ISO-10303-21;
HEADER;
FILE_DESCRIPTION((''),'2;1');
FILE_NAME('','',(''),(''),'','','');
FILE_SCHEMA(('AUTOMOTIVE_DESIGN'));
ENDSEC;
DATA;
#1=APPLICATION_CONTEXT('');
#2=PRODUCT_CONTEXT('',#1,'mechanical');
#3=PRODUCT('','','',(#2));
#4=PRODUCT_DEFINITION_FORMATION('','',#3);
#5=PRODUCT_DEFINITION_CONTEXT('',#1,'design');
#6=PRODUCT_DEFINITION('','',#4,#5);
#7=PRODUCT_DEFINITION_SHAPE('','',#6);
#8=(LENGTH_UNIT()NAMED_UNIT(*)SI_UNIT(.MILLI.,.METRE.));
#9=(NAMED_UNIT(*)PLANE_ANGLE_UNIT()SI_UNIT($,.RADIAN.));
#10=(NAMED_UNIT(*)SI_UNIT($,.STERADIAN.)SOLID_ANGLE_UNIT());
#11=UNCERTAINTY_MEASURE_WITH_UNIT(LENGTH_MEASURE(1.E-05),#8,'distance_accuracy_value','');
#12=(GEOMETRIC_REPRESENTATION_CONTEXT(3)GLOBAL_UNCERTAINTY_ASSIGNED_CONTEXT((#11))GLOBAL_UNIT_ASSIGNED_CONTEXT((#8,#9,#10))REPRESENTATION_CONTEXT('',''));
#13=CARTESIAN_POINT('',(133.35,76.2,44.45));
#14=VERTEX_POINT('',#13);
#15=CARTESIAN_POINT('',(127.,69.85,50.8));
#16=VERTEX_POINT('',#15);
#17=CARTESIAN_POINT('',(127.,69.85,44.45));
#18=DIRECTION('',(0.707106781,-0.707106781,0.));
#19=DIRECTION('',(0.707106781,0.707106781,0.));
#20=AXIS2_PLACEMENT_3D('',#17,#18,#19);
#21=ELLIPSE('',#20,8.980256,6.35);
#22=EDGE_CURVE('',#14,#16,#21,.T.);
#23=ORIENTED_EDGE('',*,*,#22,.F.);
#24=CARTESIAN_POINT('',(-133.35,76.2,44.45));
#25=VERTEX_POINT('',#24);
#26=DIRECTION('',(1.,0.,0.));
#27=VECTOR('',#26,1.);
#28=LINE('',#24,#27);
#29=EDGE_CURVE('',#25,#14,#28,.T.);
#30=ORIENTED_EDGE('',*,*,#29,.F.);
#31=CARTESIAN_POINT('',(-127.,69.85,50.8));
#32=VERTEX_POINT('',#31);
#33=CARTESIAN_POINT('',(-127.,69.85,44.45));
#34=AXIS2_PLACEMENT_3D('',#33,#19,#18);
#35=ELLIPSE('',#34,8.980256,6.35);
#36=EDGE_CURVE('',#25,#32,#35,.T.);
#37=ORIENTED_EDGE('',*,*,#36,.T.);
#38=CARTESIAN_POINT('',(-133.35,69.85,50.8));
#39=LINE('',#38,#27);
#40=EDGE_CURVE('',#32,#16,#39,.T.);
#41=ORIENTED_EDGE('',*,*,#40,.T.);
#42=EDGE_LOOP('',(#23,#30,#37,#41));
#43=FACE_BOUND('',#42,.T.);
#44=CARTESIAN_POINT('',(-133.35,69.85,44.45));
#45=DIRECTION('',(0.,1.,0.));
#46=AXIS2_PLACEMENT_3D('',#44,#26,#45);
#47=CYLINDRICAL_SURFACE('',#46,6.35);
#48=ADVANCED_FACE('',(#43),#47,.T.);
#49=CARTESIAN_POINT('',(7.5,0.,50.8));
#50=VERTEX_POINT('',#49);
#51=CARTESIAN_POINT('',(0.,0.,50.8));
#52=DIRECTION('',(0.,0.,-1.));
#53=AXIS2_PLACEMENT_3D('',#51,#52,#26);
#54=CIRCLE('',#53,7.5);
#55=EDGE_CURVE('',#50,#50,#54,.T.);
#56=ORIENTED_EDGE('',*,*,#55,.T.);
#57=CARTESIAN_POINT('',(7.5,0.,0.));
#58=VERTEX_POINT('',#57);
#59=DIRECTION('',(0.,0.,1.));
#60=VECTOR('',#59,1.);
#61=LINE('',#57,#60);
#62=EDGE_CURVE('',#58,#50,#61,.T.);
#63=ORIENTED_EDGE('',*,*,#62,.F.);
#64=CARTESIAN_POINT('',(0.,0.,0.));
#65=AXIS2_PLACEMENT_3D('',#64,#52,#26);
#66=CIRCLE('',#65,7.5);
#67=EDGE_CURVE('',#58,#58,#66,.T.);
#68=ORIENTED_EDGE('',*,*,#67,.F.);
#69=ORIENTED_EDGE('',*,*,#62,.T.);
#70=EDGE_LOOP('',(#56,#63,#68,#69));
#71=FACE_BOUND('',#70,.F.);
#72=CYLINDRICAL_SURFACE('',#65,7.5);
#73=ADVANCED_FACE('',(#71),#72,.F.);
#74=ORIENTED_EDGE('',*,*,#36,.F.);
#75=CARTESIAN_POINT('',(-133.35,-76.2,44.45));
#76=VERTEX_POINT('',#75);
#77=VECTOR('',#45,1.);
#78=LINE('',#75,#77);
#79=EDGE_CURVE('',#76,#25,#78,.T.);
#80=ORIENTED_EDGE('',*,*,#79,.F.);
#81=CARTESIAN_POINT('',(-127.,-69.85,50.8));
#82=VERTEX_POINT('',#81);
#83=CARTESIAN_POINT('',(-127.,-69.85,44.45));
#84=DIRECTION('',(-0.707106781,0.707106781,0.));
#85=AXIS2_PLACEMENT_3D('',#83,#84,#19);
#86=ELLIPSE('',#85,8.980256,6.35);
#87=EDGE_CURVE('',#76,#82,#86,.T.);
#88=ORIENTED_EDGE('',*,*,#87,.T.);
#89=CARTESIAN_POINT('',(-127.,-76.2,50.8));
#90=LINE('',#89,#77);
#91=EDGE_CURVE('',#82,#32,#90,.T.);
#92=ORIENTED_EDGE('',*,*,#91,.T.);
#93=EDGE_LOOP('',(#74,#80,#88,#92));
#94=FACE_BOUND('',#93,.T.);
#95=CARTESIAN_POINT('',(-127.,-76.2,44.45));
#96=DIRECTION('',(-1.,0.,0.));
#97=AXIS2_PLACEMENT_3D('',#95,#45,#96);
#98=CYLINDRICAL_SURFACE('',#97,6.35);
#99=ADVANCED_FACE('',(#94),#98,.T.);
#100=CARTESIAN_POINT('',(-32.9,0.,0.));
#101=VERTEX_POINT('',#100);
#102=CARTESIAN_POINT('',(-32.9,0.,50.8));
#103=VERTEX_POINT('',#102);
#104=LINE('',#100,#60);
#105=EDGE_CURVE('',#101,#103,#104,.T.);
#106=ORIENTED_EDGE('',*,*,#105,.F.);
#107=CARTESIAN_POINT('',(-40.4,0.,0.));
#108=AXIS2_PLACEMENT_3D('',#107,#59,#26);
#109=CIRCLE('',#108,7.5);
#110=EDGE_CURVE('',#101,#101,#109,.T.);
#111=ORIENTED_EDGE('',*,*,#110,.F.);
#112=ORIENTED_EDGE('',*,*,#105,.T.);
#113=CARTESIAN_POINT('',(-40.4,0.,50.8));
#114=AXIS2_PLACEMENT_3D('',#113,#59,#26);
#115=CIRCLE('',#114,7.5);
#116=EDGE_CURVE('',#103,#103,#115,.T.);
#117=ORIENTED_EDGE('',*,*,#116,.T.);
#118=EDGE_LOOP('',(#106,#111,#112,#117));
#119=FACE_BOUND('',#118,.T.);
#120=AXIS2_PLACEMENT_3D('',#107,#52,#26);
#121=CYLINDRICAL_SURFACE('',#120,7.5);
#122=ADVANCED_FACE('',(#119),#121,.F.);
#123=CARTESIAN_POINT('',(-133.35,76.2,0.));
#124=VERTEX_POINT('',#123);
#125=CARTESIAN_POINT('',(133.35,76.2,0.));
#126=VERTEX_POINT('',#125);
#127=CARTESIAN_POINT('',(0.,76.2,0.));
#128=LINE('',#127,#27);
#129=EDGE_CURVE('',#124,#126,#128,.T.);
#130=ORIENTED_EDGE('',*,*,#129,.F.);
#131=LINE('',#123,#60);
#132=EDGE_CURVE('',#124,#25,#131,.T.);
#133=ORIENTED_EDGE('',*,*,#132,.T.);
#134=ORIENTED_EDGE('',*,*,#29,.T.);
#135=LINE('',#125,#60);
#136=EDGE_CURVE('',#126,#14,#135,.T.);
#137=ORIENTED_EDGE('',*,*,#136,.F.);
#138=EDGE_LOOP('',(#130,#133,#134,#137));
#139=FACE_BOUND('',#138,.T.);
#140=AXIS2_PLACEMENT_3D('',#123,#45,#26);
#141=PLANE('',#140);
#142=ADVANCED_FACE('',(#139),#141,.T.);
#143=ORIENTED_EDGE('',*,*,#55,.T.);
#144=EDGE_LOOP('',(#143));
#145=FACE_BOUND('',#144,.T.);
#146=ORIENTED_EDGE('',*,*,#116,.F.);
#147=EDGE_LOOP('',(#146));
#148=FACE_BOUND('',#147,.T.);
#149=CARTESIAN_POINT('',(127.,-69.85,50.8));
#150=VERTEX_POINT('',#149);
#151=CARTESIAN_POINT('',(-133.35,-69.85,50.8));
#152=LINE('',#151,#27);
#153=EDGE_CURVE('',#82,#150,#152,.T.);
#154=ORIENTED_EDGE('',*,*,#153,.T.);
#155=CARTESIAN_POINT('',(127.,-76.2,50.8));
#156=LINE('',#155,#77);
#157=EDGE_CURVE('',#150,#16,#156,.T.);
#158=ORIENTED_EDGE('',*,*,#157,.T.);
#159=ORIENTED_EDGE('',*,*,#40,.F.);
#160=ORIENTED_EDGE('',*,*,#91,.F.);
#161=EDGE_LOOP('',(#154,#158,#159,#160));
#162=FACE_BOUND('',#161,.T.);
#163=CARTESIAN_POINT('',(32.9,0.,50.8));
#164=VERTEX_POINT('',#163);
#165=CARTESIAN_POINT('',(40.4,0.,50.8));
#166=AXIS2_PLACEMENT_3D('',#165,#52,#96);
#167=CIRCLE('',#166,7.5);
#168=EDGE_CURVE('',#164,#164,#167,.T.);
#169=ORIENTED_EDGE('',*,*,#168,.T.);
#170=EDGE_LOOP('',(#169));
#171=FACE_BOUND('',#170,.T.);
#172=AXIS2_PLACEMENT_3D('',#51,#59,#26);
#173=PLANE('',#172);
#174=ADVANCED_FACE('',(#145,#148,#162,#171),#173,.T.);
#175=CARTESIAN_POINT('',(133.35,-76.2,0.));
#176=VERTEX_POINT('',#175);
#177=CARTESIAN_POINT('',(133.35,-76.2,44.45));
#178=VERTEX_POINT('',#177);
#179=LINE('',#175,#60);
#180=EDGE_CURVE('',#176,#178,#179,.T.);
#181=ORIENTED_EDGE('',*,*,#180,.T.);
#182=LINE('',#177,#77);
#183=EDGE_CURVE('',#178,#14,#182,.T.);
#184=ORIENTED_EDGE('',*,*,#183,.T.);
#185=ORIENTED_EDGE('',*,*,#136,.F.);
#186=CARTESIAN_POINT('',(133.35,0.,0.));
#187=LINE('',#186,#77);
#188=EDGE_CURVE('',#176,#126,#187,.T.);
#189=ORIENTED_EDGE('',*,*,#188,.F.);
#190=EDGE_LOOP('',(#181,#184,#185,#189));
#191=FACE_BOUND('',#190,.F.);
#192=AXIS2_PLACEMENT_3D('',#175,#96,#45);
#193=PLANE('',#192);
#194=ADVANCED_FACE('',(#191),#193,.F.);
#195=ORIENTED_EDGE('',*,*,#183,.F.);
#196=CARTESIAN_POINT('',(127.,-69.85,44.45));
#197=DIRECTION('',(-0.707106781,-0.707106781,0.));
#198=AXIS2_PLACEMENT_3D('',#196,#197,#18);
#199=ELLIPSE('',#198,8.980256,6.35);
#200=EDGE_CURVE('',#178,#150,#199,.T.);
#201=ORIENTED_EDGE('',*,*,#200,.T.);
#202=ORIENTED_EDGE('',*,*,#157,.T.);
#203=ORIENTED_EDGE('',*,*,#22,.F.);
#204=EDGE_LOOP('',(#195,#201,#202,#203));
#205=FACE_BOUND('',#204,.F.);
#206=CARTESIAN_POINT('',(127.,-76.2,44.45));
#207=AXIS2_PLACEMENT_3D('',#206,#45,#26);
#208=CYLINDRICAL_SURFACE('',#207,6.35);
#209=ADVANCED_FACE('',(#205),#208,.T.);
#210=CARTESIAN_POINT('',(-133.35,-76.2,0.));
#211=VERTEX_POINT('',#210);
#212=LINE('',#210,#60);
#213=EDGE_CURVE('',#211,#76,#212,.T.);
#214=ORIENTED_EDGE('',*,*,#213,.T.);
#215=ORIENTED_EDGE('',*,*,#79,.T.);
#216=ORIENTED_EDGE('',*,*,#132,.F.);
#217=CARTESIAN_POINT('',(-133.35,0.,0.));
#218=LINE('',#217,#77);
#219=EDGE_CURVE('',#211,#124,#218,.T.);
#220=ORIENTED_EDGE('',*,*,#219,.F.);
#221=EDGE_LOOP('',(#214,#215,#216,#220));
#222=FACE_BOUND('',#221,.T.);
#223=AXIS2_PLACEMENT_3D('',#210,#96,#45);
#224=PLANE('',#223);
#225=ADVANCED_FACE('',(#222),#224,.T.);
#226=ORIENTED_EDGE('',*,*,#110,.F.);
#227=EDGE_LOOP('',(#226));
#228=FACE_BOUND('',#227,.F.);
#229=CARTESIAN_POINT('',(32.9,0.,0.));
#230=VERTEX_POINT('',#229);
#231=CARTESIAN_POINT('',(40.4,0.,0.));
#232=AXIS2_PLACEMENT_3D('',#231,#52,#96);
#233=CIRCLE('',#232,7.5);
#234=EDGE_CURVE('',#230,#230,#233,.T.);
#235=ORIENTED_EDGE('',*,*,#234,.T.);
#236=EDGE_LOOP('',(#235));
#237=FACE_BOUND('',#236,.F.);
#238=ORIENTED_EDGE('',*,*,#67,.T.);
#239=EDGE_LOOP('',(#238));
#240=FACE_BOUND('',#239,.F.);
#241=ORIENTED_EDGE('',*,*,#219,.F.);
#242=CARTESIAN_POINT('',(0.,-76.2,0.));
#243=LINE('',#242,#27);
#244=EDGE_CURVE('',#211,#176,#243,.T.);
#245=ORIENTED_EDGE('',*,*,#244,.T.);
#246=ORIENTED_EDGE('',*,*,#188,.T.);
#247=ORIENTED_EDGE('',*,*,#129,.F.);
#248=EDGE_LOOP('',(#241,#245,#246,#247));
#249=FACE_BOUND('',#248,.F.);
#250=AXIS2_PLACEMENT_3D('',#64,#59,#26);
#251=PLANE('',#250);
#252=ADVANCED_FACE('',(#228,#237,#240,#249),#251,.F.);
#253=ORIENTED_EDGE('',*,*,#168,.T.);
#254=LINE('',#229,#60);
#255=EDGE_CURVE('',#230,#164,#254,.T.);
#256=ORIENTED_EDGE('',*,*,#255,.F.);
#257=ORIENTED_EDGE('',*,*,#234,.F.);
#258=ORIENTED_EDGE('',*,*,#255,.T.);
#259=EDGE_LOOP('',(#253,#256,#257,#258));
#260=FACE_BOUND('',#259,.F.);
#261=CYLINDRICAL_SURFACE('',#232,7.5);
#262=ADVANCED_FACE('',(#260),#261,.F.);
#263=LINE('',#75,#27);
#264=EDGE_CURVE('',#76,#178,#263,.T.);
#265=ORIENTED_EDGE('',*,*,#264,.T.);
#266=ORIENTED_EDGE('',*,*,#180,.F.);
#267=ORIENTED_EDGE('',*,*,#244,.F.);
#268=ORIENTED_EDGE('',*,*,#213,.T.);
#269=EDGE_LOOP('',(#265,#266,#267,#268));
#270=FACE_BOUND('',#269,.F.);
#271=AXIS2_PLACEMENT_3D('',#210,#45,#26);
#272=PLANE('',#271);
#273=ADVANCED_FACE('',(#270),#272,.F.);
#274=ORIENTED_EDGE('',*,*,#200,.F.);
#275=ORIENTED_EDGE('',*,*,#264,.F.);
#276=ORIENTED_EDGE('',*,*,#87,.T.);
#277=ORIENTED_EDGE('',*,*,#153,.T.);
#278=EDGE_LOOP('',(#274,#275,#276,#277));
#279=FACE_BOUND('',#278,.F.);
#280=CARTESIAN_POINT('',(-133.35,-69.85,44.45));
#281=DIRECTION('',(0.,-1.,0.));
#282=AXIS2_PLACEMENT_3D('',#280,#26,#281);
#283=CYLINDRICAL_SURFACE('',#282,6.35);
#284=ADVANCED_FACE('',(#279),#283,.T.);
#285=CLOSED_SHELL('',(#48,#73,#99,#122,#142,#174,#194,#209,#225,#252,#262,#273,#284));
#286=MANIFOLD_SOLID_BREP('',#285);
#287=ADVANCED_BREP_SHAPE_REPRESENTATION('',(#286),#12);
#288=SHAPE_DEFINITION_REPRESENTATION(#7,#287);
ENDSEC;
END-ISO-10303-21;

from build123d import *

# Parameters (mm, degrees)
F0_W     = 266.7
F0_H     = 152.4
F0_R     = 7.5
F1_DEPTH = 50.8
F2_R     = 6.35


with BuildPart() as f1:
    # F0 (on Top) → F1 (new body)
    with BuildSketch(Plane.XY):
        Rectangle(F0_W, F0_H)
        with Locations((-40.4, 0)):
            Circle(F0_R, mode=Mode.SUBTRACT)
        with BuildLine():
            ThreePointArc((-7.5, 0), (0, 7.5), (7.5, 0))
            ThreePointArc((7.5, 0), (0, -7.5), (-7.5, 0))
        make_face(mode=Mode.SUBTRACT)
        with BuildLine():
            ThreePointArc((47.9, 0), (40.4, -7.5), (32.9, 0))
            ThreePointArc((32.9, 0), (40.4, 7.5), (47.9, 0))
        make_face(mode=Mode.SUBTRACT)
    extrude(amount=F1_DEPTH)

    # F2
    f2_edges = [f1.edges().sort_by_distance(p)[0] for p in [
        (0, 76.2, 50.8),
        (-133.35, 0, 50.8),
        (0, -76.2, 50.8),
        (133.35, 0, 50.8),
    ]]
    fillet(f2_edges, radius=F2_R)


solid = f1.part
